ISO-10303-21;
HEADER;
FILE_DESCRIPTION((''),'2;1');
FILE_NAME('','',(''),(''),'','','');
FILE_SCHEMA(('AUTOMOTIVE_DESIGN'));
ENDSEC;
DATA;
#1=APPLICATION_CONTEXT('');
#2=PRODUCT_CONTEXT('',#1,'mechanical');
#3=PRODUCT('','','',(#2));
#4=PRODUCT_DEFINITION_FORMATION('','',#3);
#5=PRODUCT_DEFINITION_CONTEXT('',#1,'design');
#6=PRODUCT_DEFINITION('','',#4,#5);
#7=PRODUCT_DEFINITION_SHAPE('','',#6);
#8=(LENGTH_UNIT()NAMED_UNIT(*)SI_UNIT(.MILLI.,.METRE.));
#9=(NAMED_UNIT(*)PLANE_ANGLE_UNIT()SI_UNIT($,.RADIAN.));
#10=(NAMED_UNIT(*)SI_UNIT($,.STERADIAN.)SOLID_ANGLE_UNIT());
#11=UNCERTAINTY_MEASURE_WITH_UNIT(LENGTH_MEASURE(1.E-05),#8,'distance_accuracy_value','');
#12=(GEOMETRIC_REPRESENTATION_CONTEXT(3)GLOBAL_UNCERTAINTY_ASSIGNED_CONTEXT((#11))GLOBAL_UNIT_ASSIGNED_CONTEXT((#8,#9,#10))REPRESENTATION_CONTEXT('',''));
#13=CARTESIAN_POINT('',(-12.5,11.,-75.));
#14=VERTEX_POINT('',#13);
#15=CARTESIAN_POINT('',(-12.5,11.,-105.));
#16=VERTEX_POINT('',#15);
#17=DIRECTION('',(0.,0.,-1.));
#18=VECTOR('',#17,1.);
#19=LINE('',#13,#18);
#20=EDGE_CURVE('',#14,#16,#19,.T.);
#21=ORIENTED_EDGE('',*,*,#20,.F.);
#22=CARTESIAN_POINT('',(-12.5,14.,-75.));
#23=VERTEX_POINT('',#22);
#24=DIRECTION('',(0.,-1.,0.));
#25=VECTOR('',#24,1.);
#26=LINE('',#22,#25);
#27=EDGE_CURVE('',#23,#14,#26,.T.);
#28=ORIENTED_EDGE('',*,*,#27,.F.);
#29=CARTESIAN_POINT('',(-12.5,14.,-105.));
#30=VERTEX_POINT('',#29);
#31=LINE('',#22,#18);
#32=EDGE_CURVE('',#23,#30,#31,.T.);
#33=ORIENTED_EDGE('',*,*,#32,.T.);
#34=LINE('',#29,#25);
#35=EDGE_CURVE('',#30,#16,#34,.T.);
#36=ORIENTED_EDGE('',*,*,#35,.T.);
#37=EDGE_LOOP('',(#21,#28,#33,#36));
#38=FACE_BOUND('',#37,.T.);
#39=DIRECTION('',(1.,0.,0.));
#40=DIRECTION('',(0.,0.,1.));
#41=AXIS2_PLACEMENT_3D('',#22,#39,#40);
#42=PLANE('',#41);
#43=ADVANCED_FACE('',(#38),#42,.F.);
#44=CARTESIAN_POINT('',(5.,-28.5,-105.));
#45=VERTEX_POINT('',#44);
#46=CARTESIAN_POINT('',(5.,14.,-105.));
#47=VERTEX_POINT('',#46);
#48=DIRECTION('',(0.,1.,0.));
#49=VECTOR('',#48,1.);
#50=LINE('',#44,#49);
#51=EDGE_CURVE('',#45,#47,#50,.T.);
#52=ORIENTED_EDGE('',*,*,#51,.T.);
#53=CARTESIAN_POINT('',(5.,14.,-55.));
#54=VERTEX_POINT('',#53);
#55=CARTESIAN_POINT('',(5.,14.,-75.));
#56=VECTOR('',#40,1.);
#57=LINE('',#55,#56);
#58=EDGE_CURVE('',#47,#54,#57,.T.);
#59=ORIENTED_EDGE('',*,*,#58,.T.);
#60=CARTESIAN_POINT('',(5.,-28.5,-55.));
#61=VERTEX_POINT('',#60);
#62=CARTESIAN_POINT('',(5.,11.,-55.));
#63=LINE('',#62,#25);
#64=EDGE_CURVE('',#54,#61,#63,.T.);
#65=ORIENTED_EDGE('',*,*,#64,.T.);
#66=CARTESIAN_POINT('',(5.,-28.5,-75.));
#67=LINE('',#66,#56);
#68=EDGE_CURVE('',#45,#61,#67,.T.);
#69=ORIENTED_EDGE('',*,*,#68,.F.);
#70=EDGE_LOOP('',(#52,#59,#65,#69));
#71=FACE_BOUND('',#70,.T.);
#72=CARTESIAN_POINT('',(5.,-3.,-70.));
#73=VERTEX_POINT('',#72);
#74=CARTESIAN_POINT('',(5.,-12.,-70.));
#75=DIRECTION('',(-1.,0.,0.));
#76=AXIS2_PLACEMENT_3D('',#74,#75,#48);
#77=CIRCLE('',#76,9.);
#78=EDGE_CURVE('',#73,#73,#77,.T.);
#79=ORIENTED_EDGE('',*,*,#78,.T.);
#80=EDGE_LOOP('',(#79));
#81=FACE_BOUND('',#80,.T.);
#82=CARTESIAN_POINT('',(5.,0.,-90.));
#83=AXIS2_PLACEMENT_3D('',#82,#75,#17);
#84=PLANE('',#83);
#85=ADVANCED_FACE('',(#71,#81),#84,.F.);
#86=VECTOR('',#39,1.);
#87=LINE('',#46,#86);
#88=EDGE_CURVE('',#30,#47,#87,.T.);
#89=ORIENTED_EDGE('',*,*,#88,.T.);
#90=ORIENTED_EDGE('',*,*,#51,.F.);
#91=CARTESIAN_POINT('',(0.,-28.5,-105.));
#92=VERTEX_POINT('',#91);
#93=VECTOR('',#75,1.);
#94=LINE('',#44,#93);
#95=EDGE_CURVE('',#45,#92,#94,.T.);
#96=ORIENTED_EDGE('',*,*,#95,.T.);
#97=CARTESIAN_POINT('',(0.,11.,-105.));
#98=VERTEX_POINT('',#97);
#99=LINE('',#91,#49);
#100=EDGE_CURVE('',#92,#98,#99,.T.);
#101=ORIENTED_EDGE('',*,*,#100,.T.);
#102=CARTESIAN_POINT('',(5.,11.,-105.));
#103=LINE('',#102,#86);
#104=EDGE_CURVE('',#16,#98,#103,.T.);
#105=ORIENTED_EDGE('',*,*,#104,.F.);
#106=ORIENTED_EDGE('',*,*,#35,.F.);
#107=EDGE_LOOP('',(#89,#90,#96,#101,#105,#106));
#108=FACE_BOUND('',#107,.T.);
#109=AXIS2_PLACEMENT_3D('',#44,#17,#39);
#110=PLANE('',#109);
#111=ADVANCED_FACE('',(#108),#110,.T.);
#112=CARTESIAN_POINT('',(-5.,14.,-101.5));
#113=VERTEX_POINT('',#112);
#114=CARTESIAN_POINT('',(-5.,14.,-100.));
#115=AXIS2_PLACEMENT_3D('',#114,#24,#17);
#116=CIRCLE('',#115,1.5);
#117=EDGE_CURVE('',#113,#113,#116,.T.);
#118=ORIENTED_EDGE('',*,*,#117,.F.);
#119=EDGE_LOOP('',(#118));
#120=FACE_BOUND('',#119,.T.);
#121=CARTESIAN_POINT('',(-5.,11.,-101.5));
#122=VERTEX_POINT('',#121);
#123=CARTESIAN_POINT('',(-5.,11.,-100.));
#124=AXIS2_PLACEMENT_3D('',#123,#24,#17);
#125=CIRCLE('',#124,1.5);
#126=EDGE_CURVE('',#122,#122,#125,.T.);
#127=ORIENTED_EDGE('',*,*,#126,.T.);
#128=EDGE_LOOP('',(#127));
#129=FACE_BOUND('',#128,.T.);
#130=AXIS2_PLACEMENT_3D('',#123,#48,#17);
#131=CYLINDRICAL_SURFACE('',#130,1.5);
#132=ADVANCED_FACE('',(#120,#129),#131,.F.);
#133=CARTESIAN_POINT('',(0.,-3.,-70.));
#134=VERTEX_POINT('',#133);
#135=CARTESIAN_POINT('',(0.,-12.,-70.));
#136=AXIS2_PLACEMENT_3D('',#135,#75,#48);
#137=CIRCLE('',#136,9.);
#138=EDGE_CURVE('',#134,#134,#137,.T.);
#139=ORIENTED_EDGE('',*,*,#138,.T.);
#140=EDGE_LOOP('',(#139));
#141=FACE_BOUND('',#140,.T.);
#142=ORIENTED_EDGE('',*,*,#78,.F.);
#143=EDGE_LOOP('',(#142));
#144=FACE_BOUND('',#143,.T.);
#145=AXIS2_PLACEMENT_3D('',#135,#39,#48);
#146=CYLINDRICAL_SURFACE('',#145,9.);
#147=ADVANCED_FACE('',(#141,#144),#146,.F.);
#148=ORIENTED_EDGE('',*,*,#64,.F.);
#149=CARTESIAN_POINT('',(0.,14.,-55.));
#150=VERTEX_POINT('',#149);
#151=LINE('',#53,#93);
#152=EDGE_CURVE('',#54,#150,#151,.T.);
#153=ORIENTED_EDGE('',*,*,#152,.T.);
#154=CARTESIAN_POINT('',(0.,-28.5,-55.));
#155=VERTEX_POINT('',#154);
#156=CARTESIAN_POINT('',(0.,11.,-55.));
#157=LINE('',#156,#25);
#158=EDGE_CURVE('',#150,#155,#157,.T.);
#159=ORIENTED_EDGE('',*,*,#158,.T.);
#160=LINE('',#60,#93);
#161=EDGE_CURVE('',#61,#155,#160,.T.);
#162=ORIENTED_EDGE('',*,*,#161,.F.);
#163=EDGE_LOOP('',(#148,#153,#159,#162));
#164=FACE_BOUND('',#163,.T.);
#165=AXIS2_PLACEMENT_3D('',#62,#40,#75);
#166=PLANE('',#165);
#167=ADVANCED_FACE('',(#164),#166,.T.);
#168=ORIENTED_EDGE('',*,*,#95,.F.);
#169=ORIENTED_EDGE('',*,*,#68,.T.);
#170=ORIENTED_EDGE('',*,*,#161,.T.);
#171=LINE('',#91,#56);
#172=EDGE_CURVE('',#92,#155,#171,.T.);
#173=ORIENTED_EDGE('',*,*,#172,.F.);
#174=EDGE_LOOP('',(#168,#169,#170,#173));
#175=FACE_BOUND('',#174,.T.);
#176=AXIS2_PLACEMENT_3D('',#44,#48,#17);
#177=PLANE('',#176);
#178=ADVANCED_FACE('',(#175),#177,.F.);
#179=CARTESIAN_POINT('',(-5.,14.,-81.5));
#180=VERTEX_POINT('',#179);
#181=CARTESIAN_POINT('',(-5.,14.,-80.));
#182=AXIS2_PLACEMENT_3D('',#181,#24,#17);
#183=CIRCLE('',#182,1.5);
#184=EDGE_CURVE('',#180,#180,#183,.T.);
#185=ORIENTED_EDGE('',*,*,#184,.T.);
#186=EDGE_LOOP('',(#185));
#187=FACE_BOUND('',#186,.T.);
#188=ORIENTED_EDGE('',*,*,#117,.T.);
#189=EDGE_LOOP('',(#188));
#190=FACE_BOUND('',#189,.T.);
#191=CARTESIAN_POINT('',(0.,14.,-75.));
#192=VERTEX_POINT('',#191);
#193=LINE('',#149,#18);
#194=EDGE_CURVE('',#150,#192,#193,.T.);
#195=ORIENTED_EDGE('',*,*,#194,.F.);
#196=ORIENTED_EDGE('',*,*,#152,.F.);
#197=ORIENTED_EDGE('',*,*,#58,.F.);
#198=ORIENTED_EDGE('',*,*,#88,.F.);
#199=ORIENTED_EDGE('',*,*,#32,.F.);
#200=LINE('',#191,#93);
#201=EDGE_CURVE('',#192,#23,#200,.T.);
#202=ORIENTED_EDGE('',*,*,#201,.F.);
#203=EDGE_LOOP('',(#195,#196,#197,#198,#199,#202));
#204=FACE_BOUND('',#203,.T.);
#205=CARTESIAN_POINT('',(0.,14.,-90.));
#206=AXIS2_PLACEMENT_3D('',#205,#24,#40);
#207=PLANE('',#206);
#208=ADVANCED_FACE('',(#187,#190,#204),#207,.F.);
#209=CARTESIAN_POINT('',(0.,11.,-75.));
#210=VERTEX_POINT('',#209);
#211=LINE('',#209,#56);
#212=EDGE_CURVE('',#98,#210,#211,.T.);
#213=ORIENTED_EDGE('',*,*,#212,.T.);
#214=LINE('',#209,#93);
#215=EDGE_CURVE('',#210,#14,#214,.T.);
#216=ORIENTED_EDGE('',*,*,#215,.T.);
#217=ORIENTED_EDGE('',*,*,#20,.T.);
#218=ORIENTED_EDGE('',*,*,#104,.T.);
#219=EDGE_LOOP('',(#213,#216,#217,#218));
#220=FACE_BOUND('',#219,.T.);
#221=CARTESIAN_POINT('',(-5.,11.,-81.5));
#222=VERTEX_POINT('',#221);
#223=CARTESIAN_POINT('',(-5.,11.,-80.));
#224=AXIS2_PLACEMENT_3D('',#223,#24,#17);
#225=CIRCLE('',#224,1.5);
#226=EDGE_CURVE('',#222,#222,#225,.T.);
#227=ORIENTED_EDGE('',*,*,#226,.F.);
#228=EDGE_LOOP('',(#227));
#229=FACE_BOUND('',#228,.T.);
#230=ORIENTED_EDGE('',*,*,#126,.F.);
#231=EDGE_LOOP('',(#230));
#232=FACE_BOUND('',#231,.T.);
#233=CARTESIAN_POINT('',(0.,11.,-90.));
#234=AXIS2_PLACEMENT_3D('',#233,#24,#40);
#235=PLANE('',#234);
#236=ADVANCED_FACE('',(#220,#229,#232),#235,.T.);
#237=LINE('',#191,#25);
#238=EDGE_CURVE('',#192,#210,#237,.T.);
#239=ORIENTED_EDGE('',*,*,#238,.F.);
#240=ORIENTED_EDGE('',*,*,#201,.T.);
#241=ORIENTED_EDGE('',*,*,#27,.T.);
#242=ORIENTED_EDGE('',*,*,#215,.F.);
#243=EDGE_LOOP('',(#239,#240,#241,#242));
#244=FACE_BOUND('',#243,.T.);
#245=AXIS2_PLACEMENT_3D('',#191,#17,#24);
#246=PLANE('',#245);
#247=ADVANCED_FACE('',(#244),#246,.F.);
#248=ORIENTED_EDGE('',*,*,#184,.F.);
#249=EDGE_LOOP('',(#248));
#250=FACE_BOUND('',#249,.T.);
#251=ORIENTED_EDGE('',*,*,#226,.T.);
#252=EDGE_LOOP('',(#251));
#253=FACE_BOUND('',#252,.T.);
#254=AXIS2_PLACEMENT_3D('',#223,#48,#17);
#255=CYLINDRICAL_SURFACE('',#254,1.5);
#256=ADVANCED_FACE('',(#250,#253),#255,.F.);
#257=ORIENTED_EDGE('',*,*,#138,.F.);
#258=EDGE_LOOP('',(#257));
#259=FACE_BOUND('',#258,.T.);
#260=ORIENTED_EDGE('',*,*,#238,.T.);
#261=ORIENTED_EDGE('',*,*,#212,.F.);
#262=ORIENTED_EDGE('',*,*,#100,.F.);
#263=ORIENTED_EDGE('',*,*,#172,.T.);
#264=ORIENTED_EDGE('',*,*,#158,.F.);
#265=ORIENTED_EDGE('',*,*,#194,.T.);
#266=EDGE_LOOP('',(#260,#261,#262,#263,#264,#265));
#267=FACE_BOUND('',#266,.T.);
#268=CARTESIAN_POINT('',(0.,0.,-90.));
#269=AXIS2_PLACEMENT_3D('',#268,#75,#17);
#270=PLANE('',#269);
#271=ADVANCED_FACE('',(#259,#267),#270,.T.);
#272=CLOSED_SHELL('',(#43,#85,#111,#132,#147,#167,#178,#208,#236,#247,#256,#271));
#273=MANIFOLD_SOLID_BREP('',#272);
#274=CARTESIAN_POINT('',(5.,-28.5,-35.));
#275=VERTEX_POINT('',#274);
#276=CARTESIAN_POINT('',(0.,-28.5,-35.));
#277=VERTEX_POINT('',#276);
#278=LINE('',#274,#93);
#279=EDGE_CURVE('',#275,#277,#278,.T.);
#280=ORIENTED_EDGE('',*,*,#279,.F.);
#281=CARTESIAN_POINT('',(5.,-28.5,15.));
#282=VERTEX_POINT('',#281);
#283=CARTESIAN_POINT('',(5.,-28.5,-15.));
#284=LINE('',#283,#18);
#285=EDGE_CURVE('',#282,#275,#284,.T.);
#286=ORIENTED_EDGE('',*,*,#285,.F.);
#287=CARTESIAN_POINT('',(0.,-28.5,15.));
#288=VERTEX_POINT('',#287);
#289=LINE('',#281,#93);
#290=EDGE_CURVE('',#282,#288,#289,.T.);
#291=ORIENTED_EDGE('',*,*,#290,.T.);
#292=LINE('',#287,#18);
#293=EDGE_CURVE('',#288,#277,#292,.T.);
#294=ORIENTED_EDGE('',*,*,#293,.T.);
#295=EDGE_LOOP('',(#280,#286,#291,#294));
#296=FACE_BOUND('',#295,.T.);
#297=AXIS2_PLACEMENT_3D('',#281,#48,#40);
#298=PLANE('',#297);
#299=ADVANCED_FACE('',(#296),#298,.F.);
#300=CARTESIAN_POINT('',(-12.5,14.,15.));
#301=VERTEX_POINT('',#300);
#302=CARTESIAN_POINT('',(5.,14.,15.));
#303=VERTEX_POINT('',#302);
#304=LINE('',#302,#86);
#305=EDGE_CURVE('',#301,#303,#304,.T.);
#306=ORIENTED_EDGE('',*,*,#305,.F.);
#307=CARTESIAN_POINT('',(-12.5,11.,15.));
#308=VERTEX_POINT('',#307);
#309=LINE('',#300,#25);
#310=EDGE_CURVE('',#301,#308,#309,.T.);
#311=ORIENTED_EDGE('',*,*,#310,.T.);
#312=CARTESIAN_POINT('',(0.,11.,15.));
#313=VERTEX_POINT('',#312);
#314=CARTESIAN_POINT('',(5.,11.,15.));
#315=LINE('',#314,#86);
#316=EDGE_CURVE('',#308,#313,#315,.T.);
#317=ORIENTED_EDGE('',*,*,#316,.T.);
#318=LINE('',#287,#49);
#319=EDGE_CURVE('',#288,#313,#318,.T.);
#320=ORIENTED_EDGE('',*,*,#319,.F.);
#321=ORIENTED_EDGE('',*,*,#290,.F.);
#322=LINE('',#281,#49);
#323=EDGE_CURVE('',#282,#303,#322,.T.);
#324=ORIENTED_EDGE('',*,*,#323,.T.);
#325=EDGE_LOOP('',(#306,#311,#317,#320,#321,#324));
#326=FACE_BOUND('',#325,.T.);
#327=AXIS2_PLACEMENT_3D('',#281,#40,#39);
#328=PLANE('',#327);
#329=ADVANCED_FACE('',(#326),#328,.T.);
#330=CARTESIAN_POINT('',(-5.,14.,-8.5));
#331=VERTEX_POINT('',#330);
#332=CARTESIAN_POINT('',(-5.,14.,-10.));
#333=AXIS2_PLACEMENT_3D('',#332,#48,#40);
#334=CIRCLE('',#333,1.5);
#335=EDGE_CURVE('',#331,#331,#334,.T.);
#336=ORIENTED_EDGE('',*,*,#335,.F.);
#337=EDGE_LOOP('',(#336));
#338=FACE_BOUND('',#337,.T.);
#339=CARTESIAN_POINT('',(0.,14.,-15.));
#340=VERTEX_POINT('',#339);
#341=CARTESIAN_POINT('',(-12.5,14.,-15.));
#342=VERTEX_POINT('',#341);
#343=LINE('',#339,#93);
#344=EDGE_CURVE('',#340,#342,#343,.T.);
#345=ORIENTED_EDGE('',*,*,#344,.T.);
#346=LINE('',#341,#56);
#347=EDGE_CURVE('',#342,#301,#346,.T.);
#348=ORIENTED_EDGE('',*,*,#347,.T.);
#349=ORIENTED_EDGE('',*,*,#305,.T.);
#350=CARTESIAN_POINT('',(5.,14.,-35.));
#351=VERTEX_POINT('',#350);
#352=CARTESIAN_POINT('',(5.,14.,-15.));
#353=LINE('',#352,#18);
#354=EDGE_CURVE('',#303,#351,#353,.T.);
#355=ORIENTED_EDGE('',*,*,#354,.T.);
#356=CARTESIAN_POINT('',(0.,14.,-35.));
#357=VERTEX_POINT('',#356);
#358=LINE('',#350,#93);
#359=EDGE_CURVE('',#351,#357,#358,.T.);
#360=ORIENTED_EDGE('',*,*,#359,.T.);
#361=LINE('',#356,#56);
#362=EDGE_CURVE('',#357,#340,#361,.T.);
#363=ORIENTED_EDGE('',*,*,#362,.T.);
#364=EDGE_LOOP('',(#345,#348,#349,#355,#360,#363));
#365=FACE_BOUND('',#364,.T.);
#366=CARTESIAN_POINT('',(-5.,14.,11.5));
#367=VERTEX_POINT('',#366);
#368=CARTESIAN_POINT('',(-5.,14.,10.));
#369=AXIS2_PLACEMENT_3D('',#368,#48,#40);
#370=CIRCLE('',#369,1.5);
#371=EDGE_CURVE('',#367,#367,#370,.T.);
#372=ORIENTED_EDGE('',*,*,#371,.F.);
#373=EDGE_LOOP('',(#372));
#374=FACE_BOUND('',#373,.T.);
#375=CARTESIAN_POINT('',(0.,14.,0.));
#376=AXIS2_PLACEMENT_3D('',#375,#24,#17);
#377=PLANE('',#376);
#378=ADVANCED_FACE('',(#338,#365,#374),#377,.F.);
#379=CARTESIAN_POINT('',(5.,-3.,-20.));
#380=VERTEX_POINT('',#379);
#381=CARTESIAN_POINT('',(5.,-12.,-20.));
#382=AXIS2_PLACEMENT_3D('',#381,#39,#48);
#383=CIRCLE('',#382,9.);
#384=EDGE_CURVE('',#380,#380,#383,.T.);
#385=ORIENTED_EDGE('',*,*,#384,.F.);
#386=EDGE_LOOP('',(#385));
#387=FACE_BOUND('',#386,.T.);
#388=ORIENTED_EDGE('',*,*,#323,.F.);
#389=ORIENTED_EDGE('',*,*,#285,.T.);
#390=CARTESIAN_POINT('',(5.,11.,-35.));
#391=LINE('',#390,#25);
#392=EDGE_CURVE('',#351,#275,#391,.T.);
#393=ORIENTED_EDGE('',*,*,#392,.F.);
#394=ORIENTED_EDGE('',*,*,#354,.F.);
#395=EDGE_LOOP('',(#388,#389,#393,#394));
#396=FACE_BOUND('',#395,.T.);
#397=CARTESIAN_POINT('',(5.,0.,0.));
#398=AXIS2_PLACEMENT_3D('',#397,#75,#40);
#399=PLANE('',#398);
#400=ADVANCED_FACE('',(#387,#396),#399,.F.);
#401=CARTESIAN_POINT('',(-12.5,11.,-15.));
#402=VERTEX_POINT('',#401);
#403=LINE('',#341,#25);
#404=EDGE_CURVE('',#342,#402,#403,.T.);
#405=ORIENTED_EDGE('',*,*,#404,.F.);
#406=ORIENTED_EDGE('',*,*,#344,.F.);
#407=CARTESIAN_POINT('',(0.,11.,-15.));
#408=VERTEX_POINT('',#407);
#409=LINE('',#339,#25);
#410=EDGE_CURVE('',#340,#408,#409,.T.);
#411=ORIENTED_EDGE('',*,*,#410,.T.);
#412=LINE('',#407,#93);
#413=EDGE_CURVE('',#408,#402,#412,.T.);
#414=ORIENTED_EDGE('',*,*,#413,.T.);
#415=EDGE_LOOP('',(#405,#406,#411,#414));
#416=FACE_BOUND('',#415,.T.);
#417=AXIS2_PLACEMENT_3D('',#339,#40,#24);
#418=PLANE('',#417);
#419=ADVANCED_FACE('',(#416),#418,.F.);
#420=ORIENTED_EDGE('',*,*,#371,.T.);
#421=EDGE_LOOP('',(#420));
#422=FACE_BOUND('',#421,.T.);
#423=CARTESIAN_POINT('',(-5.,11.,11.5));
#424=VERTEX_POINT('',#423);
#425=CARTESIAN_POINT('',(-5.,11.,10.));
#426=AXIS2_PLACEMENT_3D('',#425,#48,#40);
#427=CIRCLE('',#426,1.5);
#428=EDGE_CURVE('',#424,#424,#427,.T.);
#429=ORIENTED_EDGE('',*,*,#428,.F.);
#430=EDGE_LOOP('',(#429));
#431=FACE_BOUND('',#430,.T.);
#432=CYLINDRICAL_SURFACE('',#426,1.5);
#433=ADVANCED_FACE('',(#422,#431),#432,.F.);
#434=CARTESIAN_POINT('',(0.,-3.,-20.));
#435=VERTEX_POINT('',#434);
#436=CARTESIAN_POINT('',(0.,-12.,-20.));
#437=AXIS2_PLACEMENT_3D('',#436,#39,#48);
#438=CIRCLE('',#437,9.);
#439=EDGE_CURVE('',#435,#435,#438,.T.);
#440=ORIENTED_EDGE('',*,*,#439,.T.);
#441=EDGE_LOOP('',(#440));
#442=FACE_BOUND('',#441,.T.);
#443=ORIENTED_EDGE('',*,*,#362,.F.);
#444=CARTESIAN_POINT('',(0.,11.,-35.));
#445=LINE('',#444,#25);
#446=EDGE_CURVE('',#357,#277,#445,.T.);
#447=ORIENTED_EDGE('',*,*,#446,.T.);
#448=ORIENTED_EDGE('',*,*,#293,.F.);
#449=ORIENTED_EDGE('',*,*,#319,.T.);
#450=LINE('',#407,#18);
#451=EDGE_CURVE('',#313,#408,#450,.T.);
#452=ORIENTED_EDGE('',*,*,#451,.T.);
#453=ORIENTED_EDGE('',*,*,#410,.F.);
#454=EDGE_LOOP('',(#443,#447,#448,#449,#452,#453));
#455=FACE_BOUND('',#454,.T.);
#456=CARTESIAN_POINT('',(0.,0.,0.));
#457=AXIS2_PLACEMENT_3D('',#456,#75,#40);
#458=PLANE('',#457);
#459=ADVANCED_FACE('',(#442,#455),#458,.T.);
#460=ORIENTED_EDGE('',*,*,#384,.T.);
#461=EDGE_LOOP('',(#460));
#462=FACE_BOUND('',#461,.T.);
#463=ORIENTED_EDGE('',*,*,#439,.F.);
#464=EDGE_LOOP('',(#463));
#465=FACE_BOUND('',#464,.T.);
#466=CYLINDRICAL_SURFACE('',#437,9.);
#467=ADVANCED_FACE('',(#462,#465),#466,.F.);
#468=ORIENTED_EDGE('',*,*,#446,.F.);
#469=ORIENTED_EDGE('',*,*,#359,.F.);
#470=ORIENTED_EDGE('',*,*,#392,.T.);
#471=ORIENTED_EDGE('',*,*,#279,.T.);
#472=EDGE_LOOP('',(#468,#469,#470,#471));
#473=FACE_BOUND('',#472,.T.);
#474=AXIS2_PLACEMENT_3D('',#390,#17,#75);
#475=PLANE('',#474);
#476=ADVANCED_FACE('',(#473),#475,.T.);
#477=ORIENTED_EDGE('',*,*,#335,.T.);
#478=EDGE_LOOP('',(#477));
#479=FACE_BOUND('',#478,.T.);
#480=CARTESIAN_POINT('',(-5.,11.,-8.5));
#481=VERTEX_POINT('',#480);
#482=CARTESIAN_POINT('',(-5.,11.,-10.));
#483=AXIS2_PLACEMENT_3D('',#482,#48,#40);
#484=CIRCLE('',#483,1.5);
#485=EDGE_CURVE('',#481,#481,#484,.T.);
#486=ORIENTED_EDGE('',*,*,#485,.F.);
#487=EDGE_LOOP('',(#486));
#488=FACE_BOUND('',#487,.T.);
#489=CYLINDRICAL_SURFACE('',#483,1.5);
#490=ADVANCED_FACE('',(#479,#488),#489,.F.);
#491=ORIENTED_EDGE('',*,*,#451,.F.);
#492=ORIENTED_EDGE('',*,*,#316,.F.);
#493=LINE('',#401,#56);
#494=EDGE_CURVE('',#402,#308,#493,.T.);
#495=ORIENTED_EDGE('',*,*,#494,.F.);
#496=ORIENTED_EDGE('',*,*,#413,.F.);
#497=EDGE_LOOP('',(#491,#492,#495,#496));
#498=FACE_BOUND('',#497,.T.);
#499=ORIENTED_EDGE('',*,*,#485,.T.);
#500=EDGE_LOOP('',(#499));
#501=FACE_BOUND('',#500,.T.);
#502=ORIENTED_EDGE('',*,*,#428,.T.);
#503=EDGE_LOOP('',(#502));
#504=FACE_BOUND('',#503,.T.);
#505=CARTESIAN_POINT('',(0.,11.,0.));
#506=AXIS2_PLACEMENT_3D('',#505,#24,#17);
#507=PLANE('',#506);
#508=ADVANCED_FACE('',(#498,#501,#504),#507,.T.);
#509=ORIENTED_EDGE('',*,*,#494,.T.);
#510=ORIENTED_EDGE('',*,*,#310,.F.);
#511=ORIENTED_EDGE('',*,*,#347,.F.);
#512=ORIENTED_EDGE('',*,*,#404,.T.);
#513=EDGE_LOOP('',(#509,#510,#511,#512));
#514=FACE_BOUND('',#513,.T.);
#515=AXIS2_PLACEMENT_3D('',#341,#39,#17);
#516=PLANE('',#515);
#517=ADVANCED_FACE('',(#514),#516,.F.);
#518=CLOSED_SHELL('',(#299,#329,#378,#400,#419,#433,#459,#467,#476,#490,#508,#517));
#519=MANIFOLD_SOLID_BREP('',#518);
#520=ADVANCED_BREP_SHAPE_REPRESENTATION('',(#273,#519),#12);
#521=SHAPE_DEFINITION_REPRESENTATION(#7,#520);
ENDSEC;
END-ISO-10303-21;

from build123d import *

# Parameters (mm, degrees)
EXTRUDE_1_DEPTH     = 5
SKETCH_2_R          = 9
CUT_EXTRUDE_1_DEPTH = 5
EXTRUDE_2_DEPTH     = 3
SKETCH_6_R          = 1.5
CUT_EXTRUDE_2_DEPTH = 3


with BuildPart() as part:
    # 草图1 → 凸台-拉伸1 (new body)
    with BuildSketch(Plane(origin=(0, 0, 0), x_dir=(0, 0, -1), z_dir=(1, 0, 0))):
        Polygon((-15, -28.5), (-15, 11), (15, 11), (35, 11), (35, -28.5), (15, -28.5), align=None)
    extrude(amount=EXTRUDE_1_DEPTH)

    # 草图2 → 切除-拉伸1 (cut)
    with BuildSketch(Plane(origin=(5, 0, 0), x_dir=(0, 0, -1), z_dir=(1, 0, 0))):
        with Locations(Location((20, -12, 0), (0, 0, 90))):
            Circle(SKETCH_2_R)
    extrude(amount=-CUT_EXTRUDE_1_DEPTH, mode=Mode.SUBTRACT)

    # 草图3 → 凸台-拉伸2 (add)
    with BuildSketch(Plane(origin=(0, 11, 0), x_dir=(1, 0, 0), z_dir=(0, 1, 0))):
        Polygon((5, 15), (5, 35), (0, 35), (0, 15), (-12.5, 15), (-12.5, -15), (5, -15), align=None)
    extrude(amount=EXTRUDE_2_DEPTH)

    # 草图6 → 切除-拉伸2 (cut)
    with BuildSketch(Plane(origin=(0, 14, 0), x_dir=(1, 0, 0), z_dir=(0, 1, 0))):
        with Locations(Location((-5, 10, 0), (0, 0, 270))):
            Circle(SKETCH_6_R)
        with Locations(Location((-5, -10, 0), (0, 0, 270))):
            Circle(SKETCH_6_R)
    extrude(amount=-CUT_EXTRUDE_2_DEPTH, mode=Mode.SUBTRACT)


with BuildPart() as body_2:
    # 镜向4: mirrored copy
    add(part.part.mirror(Plane(origin=(0, 0, -45), x_dir=(1, 0, 0), z_dir=(0, 0, -1))))


solid = Compound([part.part, body_2.part])
